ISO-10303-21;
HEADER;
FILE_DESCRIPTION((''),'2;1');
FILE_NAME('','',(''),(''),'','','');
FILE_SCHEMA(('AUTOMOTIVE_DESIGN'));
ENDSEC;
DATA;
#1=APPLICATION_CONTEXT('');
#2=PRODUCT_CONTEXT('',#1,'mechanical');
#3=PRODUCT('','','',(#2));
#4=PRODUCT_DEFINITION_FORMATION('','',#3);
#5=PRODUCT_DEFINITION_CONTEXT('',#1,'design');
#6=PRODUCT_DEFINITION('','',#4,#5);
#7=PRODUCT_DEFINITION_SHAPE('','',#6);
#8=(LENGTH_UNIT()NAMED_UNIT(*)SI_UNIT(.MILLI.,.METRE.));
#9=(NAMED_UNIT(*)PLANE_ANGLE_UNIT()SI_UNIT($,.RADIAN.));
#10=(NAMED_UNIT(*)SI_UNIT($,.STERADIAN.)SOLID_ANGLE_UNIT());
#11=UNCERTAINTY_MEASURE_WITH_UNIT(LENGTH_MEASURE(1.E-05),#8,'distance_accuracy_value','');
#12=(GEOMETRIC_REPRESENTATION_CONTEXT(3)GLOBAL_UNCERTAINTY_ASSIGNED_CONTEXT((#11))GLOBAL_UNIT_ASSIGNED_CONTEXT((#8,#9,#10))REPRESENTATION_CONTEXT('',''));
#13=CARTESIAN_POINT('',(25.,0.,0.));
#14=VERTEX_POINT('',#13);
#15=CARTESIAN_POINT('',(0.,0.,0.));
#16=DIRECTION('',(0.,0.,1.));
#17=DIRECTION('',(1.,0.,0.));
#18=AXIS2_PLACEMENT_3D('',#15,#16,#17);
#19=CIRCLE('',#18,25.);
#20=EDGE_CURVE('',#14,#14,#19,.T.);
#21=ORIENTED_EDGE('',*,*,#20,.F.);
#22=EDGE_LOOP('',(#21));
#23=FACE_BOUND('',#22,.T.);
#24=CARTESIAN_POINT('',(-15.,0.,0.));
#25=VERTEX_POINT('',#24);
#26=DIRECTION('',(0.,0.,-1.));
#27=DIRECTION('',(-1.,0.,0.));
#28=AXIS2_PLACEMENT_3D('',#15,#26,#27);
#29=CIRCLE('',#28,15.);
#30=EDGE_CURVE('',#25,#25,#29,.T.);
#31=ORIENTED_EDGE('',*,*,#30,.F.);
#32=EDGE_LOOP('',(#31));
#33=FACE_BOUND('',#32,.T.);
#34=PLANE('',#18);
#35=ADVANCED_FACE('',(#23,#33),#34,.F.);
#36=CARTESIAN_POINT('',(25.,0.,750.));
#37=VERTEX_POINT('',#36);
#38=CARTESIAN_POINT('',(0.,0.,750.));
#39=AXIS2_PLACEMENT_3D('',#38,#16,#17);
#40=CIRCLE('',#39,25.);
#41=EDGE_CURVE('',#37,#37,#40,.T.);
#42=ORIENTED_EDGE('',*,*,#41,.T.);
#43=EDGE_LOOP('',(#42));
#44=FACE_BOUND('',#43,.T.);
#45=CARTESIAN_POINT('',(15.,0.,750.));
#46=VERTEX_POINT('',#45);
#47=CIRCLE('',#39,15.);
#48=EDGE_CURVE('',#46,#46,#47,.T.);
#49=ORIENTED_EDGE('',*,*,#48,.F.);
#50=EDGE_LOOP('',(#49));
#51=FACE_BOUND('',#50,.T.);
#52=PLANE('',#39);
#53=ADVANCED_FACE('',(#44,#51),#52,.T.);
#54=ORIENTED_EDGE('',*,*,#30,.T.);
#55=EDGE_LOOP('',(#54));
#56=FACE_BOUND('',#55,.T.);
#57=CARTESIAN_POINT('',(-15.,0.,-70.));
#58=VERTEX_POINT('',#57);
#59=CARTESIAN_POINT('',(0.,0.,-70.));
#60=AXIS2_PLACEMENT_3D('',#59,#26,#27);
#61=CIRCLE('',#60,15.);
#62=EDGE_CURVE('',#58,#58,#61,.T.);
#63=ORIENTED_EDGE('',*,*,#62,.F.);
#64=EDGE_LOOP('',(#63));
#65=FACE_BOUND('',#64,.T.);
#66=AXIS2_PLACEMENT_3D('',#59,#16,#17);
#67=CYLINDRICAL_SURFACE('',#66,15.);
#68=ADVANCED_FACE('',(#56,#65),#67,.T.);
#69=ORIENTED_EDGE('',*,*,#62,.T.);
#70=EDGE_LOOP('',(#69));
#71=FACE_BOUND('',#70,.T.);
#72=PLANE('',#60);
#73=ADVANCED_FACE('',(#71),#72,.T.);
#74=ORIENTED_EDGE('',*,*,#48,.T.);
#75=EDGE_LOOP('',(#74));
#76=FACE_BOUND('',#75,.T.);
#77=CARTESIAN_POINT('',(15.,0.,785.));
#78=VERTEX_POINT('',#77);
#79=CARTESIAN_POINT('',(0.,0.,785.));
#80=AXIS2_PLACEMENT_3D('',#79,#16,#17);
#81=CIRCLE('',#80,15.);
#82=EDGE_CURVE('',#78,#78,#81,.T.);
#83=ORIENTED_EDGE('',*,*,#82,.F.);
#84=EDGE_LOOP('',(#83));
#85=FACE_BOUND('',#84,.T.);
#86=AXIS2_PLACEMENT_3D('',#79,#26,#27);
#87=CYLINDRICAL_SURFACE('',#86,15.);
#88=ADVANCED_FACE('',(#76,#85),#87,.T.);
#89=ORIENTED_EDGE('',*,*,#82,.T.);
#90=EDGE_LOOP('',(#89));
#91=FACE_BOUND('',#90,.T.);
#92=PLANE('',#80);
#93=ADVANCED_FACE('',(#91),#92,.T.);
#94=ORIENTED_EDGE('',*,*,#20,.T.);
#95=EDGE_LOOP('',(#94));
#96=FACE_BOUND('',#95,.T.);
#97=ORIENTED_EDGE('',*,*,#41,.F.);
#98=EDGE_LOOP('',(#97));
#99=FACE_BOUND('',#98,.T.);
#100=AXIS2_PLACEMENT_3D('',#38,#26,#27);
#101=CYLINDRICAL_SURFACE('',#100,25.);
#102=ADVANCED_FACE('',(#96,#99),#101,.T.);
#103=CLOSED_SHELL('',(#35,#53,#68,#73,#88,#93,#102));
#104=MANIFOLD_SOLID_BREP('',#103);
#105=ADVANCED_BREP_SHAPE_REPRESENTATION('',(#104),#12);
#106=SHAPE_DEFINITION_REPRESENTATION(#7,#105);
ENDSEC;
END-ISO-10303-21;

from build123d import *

# Parameters (mm, degrees)
SKETCH1_R           = 25
BOSS_EXTRUDE2_DEPTH = 750
SKETCH2_R           = 15
BOSS_EXTRUDE3_DEPTH = 70
SKETCH3_R           = 15
BOSS_EXTRUDE4_DEPTH = 35


with BuildPart() as part:
    # Sketch1 → Boss-Extrude2 (new body)
    with BuildSketch(Plane.XY):
        Circle(SKETCH1_R)
    extrude(amount=BOSS_EXTRUDE2_DEPTH)

    # Sketch2 → Boss-Extrude3 (add)
    with BuildSketch(Plane(origin=(0, 0, 0), x_dir=(-1, 0, 0), z_dir=(0, 0, -1))):
        Circle(SKETCH2_R)
    extrude(amount=BOSS_EXTRUDE3_DEPTH)

    # Sketch3 → Boss-Extrude4 (add)
    with BuildSketch(Plane.XY.offset(750)):
        Circle(SKETCH3_R)
    extrude(amount=BOSS_EXTRUDE4_DEPTH)


solid = part.part
